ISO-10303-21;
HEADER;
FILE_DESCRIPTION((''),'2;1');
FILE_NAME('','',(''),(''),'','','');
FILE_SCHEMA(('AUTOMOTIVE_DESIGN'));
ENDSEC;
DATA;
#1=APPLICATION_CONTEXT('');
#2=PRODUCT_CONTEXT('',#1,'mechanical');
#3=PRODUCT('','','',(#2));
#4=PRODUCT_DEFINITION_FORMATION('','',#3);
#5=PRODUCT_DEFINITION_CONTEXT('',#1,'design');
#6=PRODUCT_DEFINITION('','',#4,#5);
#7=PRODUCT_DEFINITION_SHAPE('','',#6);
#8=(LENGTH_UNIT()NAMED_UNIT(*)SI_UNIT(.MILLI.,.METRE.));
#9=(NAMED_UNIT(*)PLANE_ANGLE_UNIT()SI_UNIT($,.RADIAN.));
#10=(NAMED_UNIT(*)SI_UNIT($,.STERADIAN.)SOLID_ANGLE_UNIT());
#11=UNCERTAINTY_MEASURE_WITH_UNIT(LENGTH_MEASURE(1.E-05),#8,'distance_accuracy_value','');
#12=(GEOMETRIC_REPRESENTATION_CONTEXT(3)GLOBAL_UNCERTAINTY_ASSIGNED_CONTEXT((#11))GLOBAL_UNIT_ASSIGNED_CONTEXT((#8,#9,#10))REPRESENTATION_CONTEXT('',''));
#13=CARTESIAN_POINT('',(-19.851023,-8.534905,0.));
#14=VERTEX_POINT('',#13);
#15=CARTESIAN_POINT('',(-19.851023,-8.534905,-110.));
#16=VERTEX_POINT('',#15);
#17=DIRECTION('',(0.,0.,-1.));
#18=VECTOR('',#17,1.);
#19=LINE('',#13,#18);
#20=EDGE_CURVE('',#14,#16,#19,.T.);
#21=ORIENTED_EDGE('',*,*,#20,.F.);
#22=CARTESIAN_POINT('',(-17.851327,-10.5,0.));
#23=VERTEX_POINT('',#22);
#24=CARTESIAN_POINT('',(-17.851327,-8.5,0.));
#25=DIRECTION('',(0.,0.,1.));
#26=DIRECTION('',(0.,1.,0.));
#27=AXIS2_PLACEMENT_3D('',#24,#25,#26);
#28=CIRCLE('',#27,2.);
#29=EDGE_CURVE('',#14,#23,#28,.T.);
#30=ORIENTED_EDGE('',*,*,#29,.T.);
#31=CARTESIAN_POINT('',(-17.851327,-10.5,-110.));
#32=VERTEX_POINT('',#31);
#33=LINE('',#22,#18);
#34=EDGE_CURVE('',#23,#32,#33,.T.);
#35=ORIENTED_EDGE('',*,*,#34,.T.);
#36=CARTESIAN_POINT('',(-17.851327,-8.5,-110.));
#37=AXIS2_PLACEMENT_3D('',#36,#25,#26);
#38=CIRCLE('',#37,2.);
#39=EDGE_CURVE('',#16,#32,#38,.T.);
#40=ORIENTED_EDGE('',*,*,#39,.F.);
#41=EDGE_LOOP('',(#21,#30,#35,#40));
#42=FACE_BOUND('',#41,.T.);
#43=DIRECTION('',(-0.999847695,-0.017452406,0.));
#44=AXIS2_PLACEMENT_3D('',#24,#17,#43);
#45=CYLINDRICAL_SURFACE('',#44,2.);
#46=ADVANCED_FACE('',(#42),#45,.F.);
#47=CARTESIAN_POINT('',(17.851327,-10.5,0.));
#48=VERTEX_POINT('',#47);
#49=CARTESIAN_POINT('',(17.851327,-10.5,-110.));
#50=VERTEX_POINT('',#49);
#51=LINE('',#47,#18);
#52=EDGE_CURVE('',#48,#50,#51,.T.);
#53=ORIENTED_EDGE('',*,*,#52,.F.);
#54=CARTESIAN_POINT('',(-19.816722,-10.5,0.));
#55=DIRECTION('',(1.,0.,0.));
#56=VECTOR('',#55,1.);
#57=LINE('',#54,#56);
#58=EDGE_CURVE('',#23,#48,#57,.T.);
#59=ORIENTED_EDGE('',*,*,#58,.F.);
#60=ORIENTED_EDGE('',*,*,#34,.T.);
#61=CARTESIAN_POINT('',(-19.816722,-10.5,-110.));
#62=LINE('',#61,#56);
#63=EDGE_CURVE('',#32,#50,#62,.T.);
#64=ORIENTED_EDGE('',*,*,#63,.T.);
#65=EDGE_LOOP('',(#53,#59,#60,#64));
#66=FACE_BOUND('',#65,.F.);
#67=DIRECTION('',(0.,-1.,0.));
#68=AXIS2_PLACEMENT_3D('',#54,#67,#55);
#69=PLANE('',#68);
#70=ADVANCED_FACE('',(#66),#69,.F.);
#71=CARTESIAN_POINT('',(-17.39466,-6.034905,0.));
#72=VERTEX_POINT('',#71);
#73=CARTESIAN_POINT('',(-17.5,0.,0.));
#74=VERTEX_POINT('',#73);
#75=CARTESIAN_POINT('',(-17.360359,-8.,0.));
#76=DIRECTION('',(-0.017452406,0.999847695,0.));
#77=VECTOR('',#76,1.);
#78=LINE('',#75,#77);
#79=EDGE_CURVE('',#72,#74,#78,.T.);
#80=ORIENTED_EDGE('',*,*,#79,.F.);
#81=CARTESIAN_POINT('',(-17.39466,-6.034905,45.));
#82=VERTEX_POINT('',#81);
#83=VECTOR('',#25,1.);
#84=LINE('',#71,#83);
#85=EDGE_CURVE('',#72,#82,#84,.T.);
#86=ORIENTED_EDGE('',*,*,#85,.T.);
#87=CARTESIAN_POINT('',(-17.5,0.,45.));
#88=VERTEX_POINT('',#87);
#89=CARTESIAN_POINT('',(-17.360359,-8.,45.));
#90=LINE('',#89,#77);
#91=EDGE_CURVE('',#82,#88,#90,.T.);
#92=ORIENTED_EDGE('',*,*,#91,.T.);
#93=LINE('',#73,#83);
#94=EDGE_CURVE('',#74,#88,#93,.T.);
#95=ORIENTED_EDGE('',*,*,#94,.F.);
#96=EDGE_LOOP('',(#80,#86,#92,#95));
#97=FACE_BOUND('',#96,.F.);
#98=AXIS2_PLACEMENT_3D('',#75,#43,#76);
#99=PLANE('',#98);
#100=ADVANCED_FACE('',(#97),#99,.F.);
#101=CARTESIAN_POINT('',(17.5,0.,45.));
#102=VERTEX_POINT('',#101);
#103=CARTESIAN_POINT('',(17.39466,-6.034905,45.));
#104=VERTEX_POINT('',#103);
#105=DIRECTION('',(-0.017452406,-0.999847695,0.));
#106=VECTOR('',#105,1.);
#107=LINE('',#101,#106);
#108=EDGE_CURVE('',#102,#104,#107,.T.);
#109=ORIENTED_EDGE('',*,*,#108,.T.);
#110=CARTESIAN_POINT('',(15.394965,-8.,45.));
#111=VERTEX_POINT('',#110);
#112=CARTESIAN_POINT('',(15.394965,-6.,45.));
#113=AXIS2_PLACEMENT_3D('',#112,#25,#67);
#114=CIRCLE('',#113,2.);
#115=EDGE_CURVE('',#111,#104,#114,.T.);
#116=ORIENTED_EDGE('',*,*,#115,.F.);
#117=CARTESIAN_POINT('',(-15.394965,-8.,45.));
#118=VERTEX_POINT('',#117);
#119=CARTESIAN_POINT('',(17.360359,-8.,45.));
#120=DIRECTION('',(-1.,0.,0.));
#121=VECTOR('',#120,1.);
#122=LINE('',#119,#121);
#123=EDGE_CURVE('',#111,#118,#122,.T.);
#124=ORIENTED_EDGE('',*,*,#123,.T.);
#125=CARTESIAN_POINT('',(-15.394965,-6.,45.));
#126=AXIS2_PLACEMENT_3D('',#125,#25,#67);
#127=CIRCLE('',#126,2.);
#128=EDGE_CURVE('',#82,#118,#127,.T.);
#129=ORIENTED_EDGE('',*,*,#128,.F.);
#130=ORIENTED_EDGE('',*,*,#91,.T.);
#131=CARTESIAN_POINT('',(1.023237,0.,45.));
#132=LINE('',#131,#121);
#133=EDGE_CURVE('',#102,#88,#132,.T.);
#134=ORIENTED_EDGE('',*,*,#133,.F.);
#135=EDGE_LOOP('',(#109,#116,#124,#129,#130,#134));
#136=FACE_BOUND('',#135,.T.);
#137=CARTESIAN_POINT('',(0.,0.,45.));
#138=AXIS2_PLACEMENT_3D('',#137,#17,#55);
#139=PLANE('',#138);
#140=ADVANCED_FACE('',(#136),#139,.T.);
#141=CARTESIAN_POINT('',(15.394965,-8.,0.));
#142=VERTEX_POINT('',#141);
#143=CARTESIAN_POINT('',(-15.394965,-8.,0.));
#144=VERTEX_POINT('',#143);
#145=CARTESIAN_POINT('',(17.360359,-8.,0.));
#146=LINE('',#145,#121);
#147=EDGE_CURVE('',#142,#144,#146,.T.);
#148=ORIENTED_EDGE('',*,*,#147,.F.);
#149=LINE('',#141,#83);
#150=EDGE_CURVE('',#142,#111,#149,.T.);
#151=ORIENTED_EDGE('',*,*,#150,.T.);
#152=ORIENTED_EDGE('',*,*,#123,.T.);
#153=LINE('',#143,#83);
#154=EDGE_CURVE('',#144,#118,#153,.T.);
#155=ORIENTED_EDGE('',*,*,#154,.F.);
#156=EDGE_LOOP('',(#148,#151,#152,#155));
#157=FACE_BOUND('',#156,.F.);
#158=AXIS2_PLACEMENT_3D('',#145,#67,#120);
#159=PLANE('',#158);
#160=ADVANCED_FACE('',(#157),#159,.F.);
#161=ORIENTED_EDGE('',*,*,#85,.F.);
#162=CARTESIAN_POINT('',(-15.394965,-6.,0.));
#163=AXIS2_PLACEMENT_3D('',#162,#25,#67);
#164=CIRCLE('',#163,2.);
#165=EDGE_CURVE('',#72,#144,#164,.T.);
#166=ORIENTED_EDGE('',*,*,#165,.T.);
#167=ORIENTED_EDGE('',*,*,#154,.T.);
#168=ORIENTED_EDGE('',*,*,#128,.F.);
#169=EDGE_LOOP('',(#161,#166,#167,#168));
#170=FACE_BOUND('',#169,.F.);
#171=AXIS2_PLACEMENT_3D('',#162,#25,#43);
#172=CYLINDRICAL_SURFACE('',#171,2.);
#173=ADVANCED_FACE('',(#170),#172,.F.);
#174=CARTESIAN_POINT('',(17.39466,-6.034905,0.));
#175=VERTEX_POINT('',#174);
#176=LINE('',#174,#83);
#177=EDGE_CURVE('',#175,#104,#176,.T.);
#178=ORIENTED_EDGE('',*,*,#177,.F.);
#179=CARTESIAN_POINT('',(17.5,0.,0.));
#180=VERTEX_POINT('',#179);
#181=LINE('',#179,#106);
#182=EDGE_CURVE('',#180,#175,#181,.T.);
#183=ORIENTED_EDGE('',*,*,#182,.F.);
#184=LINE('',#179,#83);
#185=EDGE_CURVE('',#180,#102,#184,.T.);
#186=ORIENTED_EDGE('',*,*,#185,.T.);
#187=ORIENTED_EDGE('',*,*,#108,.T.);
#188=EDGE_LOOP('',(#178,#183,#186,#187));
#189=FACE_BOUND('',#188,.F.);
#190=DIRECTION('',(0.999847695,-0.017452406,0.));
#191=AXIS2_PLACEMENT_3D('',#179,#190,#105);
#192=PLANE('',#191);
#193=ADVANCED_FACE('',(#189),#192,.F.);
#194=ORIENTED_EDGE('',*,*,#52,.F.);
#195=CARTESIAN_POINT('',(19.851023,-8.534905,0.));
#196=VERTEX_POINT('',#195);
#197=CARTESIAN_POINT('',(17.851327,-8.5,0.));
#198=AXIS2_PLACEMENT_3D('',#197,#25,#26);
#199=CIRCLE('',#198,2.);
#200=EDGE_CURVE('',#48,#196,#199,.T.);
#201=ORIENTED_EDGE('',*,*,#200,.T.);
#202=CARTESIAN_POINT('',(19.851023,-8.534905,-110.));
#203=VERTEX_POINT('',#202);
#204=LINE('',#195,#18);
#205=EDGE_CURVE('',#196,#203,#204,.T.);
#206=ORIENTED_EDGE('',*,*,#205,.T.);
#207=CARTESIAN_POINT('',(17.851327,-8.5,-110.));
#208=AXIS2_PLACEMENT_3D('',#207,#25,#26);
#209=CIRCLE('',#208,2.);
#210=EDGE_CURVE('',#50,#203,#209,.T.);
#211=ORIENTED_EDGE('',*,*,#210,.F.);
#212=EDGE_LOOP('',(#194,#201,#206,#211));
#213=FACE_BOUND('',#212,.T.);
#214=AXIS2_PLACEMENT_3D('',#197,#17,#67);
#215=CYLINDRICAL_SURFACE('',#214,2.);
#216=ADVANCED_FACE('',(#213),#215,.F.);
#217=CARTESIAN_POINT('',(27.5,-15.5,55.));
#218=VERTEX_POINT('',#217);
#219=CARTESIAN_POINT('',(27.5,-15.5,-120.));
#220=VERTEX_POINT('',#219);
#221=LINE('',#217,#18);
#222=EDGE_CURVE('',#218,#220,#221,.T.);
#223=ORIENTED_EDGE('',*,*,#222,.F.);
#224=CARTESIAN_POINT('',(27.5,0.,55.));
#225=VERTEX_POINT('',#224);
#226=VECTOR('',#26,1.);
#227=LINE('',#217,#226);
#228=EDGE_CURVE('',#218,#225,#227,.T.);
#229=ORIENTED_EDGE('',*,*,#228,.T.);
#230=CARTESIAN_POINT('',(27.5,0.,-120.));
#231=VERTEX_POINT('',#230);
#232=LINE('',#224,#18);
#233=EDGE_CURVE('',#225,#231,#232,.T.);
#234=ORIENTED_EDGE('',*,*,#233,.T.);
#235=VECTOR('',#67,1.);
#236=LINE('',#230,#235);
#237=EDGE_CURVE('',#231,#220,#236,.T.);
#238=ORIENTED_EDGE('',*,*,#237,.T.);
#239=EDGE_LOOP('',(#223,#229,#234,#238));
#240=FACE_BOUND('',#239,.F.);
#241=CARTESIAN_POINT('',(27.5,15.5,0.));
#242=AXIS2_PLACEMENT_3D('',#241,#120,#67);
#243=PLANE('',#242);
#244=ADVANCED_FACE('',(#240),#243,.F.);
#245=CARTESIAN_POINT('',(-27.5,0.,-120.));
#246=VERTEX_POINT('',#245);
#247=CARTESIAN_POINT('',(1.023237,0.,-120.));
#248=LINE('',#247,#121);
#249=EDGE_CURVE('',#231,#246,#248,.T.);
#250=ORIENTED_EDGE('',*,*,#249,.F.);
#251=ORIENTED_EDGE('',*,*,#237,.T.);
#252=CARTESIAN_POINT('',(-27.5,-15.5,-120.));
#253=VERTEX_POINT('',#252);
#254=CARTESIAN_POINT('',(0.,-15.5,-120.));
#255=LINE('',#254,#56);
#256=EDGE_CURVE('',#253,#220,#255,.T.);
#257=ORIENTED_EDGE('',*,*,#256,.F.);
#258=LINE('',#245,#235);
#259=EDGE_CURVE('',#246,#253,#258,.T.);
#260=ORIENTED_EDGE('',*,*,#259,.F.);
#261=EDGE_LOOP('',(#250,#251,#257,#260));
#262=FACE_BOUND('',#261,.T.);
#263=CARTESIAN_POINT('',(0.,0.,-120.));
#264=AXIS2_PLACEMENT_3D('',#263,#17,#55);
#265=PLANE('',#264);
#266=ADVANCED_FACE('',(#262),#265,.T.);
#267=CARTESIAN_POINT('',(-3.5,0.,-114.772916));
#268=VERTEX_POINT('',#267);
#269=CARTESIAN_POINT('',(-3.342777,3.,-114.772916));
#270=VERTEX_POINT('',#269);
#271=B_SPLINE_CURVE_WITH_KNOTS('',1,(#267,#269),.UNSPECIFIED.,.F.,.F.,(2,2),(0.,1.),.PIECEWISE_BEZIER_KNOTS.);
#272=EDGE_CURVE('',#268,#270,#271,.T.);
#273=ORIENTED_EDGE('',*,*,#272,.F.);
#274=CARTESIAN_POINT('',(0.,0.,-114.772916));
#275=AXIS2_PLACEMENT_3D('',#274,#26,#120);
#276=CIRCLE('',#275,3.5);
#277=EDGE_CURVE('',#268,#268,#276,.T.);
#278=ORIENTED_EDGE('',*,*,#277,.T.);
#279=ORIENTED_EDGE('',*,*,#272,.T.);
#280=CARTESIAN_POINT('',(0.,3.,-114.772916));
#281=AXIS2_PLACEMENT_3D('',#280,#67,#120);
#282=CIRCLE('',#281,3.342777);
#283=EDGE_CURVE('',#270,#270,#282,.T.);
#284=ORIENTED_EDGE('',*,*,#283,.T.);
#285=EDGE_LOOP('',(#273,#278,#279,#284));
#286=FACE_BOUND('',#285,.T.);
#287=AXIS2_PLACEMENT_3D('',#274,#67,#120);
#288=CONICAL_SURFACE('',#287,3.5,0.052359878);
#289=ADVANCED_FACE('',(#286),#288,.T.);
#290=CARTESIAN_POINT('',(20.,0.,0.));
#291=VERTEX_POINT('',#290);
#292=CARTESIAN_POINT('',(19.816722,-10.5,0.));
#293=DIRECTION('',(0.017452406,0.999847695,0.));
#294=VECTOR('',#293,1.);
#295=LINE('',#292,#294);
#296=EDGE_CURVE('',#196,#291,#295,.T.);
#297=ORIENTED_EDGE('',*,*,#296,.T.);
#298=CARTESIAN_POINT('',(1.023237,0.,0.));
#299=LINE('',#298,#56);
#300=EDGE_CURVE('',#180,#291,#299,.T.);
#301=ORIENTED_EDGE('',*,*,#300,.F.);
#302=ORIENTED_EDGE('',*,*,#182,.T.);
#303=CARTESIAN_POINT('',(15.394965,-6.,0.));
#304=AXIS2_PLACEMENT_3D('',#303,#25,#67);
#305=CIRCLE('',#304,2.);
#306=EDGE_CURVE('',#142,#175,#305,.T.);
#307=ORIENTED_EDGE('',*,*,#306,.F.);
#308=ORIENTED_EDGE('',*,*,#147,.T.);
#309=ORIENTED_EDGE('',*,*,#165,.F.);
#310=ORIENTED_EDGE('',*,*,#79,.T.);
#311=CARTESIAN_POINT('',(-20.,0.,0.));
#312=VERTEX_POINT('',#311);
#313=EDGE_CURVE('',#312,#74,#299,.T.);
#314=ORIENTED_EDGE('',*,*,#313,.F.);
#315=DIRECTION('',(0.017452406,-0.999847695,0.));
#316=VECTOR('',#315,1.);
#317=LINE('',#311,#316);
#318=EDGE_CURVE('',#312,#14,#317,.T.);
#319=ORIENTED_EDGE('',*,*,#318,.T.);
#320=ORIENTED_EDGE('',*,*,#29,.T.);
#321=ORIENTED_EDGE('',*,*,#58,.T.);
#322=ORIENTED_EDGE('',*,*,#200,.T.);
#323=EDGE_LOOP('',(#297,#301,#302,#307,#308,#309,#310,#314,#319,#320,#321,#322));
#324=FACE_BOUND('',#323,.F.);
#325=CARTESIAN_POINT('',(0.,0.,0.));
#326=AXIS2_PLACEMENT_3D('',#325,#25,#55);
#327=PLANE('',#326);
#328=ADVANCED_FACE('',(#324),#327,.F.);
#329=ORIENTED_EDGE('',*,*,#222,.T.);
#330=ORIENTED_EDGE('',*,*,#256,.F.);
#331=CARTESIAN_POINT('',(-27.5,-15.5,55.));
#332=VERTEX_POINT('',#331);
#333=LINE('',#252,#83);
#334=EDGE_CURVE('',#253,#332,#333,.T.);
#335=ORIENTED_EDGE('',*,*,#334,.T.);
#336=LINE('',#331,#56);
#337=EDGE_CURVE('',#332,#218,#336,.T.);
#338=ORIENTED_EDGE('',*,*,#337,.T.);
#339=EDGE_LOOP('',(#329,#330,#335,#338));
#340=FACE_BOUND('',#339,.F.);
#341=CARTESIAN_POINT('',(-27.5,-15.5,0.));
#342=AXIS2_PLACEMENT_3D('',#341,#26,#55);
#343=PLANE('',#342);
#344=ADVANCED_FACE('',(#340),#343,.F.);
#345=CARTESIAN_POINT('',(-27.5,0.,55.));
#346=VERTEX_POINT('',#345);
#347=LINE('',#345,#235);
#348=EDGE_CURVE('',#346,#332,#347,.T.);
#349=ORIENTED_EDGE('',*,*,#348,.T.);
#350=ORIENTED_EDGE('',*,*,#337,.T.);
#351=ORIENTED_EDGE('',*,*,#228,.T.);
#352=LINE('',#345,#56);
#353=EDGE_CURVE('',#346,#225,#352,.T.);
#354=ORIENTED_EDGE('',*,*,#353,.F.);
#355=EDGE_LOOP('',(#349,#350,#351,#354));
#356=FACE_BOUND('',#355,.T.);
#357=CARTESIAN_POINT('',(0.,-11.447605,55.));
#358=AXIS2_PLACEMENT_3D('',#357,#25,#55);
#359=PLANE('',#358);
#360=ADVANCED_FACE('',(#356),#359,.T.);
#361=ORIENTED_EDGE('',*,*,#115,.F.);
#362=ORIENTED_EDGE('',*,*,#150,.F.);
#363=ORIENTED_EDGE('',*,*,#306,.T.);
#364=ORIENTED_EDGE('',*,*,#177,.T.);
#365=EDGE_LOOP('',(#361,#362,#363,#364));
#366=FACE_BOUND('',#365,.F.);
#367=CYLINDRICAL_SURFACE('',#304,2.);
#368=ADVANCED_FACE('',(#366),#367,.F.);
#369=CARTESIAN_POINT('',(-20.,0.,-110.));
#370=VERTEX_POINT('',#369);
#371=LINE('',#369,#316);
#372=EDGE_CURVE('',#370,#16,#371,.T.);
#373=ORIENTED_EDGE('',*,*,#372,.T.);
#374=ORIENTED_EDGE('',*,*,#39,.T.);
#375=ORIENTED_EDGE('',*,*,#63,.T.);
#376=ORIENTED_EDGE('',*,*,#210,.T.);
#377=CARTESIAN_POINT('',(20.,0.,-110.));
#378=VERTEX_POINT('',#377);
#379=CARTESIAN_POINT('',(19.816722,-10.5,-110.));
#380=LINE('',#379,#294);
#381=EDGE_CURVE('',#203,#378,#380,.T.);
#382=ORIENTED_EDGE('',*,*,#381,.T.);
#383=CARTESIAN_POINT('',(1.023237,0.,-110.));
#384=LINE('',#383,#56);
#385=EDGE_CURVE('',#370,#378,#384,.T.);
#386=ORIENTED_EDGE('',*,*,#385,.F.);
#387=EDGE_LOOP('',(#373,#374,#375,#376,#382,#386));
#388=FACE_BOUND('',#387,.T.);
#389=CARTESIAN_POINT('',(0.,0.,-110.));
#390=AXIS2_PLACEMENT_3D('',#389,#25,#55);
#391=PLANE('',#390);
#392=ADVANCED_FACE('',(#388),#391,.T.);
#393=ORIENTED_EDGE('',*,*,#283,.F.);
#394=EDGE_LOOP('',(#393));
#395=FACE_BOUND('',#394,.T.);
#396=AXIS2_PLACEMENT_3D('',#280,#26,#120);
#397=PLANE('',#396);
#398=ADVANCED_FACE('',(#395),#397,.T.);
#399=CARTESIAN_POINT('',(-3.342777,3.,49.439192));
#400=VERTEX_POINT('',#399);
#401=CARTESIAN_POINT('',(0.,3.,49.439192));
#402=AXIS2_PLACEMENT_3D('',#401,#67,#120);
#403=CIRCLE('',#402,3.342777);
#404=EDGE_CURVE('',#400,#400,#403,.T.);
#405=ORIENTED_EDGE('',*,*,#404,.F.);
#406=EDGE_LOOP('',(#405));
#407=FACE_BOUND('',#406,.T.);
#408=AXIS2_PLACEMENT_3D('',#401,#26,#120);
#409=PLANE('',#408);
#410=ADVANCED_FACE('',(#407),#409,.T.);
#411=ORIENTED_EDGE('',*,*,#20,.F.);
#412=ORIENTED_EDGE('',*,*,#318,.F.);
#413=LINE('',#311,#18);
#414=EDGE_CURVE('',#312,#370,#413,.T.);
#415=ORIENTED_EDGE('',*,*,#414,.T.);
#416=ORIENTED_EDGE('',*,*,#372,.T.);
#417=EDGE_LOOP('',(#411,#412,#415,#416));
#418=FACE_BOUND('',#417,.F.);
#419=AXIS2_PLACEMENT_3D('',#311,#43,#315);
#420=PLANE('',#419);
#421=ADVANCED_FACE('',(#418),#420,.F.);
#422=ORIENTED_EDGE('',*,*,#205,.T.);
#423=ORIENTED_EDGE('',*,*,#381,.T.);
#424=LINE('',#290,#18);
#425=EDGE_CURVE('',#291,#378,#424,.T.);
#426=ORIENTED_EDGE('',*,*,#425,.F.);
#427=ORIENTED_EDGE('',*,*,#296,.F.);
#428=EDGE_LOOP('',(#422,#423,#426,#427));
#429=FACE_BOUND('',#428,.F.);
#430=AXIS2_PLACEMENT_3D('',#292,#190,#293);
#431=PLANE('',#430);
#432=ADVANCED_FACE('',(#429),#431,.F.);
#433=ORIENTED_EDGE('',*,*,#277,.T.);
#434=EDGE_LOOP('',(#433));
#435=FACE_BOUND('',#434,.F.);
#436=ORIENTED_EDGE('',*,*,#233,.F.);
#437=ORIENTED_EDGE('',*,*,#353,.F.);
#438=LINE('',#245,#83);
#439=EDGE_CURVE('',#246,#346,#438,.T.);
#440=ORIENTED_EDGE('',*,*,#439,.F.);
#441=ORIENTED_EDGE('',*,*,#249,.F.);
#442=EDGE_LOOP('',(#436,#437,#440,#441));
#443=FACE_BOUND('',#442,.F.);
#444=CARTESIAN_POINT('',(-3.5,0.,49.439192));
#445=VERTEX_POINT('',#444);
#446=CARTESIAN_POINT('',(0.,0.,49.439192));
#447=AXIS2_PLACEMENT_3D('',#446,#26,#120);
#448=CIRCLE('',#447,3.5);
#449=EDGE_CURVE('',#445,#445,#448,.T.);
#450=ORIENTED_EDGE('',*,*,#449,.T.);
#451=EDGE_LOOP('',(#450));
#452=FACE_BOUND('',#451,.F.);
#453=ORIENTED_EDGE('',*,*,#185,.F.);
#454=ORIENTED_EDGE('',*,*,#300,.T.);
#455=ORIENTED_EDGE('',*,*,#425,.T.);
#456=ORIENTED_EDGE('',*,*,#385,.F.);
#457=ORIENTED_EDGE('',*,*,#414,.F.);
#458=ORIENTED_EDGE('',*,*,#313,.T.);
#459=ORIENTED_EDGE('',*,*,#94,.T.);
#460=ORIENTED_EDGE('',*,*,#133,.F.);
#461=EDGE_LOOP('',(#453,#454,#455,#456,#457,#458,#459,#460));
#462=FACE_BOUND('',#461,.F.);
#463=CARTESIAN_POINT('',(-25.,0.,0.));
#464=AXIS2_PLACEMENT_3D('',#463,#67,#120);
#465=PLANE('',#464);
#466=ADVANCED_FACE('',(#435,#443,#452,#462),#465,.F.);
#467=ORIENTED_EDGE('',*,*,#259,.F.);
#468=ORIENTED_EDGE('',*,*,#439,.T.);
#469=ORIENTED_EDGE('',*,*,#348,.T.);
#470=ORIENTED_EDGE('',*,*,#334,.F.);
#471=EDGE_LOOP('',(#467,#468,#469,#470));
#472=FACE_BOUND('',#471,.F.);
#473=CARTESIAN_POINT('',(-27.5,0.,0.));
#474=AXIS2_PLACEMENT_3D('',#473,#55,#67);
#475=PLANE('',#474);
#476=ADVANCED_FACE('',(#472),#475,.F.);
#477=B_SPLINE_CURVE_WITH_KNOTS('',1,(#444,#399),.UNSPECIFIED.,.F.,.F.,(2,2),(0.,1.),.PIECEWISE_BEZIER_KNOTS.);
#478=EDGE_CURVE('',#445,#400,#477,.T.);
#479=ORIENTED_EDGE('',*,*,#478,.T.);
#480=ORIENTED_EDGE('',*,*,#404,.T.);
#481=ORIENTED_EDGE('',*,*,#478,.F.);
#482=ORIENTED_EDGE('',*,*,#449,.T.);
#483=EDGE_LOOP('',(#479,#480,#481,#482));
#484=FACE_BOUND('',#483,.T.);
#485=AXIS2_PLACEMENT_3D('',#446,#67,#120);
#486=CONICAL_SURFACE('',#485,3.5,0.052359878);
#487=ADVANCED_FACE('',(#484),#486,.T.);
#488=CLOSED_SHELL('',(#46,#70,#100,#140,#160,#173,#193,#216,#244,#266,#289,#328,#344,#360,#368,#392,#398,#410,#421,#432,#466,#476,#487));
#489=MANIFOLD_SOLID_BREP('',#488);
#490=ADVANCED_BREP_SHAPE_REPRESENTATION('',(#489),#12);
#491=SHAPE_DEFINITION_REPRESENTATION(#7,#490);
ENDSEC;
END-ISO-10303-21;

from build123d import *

# Parameters (mm, degrees)
F0_W      = 50
F0_H      = 26
F1_DEPTH  = 55
F3_DEPTH  = 45
F4_R      = 2
F5_R      = 2
F6_W      = 55
F6_H      = 31
F7_DEPTH  = 120
F9_DEPTH  = 110
F10_R     = 2
F11_W     = 193.8701719046
F11_H     = 235.1342812181
F12_DEPTH = 15.501
F13_R     = 3.5
F14_DEPTH = 3
F14_TAPER = 3
F15_R     = 3.5
F16_DEPTH = 3
F16_TAPER = 3
F18_DEPTH = 55


with BuildPart() as f1:
    # F0 (on Top) → F1 (new body)
    with BuildSketch(Plane.XY):
        Rectangle(F0_W, F0_H)
    extrude(amount=F1_DEPTH)

    # F2 (on face) → F3 (cut)
    with BuildSketch(Plane(origin=(0, 0, 0), x_dir=(1, 0, 0), z_dir=(0, 0, -1))):
        Polygon((-17.3603594806, -8), (17.3603594806, -8), (17.5, 0), (17.3603594806, 8), (-17.3603594806, 8), (-17.5, 0), align=None)
    extrude(amount=-F3_DEPTH, mode=Mode.SUBTRACT)

    # F4
    f4_edges = [f1.edges().sort_by_distance(p)[0] for p in [
        (-17.360359, 8, 22.5),
        (17.360359, 8, 22.5),
    ]]
    fillet(f4_edges, radius=F4_R)

    # F5
    f5_edges = [f1.edges().sort_by_distance(p)[0] for p in [
        (-17.360359, -8, 22.5),
        (17.360359, -8, 22.5),
    ]]
    fillet(f5_edges, radius=F5_R)

    # F6 (on face) → F7 (join)
    with BuildSketch(Plane(origin=(0, 0, 0), x_dir=(1, 0, 0), z_dir=(0, 0, -1))):
        Rectangle(F6_W, F6_H)
    extrude(amount=F7_DEPTH)

    # F8 (on face) → F9 (cut)
    with BuildSketch(Plane.XY):
        Polygon((-19.8167218183, 10.5), (-20, 0), (-19.8167218183, -10.5), (19.8167218183, -10.5), (20, 0), (19.8167218183, 10.5), align=None)
    extrude(amount=-F9_DEPTH, mode=Mode.SUBTRACT)

    # F10
    f10_edges = [f1.edges().sort_by_distance(p)[0] for p in [
        (-19.816722, -10.5, -55),
        (19.816722, -10.5, -55),
        (-19.816722, 10.5, -55),
        (19.816722, 10.5, -55),
    ]]
    fillet(f10_edges, radius=F10_R)

    # F11 (on Front) → F12 (cut, through all)
    with BuildSketch(Plane.XZ):
        with Locations((2.0464733243, -30.8961831033)):
            Rectangle(F11_W, F11_H)
    extrude(amount=-F12_DEPTH, mode=Mode.SUBTRACT)

    # F13 (on face) → F14 (join)
    with BuildSketch(Plane(origin=(0, 0, 0), x_dir=(-1, 0, 0), z_dir=(0, 1, 0))):
        with Locations((0, 49.4391918182)):
            Circle(F13_R)
    extrude(amount=F14_DEPTH, taper=F14_TAPER)

    # F15 (on face) → F16 (join)
    with BuildSketch(Plane(origin=(0, 0, 0), x_dir=(-1, 0, 0), z_dir=(0, 1, 0))):
        with Locations((0, -114.7729158401)):
            Circle(F15_R)
    extrude(amount=F16_DEPTH, taper=F16_TAPER)

    # F17 (on face) → F18 (join, through all)
    with BuildSketch(Plane.XY):
        Polygon((-25, 0), (-27.5, 0), (-27.5, -15.5), (27.5, -15.5), (27.5, 0), (25, 0), (25, -13), (-25, -13), align=None)
    extrude(amount=F18_DEPTH)


solid = f1.part
